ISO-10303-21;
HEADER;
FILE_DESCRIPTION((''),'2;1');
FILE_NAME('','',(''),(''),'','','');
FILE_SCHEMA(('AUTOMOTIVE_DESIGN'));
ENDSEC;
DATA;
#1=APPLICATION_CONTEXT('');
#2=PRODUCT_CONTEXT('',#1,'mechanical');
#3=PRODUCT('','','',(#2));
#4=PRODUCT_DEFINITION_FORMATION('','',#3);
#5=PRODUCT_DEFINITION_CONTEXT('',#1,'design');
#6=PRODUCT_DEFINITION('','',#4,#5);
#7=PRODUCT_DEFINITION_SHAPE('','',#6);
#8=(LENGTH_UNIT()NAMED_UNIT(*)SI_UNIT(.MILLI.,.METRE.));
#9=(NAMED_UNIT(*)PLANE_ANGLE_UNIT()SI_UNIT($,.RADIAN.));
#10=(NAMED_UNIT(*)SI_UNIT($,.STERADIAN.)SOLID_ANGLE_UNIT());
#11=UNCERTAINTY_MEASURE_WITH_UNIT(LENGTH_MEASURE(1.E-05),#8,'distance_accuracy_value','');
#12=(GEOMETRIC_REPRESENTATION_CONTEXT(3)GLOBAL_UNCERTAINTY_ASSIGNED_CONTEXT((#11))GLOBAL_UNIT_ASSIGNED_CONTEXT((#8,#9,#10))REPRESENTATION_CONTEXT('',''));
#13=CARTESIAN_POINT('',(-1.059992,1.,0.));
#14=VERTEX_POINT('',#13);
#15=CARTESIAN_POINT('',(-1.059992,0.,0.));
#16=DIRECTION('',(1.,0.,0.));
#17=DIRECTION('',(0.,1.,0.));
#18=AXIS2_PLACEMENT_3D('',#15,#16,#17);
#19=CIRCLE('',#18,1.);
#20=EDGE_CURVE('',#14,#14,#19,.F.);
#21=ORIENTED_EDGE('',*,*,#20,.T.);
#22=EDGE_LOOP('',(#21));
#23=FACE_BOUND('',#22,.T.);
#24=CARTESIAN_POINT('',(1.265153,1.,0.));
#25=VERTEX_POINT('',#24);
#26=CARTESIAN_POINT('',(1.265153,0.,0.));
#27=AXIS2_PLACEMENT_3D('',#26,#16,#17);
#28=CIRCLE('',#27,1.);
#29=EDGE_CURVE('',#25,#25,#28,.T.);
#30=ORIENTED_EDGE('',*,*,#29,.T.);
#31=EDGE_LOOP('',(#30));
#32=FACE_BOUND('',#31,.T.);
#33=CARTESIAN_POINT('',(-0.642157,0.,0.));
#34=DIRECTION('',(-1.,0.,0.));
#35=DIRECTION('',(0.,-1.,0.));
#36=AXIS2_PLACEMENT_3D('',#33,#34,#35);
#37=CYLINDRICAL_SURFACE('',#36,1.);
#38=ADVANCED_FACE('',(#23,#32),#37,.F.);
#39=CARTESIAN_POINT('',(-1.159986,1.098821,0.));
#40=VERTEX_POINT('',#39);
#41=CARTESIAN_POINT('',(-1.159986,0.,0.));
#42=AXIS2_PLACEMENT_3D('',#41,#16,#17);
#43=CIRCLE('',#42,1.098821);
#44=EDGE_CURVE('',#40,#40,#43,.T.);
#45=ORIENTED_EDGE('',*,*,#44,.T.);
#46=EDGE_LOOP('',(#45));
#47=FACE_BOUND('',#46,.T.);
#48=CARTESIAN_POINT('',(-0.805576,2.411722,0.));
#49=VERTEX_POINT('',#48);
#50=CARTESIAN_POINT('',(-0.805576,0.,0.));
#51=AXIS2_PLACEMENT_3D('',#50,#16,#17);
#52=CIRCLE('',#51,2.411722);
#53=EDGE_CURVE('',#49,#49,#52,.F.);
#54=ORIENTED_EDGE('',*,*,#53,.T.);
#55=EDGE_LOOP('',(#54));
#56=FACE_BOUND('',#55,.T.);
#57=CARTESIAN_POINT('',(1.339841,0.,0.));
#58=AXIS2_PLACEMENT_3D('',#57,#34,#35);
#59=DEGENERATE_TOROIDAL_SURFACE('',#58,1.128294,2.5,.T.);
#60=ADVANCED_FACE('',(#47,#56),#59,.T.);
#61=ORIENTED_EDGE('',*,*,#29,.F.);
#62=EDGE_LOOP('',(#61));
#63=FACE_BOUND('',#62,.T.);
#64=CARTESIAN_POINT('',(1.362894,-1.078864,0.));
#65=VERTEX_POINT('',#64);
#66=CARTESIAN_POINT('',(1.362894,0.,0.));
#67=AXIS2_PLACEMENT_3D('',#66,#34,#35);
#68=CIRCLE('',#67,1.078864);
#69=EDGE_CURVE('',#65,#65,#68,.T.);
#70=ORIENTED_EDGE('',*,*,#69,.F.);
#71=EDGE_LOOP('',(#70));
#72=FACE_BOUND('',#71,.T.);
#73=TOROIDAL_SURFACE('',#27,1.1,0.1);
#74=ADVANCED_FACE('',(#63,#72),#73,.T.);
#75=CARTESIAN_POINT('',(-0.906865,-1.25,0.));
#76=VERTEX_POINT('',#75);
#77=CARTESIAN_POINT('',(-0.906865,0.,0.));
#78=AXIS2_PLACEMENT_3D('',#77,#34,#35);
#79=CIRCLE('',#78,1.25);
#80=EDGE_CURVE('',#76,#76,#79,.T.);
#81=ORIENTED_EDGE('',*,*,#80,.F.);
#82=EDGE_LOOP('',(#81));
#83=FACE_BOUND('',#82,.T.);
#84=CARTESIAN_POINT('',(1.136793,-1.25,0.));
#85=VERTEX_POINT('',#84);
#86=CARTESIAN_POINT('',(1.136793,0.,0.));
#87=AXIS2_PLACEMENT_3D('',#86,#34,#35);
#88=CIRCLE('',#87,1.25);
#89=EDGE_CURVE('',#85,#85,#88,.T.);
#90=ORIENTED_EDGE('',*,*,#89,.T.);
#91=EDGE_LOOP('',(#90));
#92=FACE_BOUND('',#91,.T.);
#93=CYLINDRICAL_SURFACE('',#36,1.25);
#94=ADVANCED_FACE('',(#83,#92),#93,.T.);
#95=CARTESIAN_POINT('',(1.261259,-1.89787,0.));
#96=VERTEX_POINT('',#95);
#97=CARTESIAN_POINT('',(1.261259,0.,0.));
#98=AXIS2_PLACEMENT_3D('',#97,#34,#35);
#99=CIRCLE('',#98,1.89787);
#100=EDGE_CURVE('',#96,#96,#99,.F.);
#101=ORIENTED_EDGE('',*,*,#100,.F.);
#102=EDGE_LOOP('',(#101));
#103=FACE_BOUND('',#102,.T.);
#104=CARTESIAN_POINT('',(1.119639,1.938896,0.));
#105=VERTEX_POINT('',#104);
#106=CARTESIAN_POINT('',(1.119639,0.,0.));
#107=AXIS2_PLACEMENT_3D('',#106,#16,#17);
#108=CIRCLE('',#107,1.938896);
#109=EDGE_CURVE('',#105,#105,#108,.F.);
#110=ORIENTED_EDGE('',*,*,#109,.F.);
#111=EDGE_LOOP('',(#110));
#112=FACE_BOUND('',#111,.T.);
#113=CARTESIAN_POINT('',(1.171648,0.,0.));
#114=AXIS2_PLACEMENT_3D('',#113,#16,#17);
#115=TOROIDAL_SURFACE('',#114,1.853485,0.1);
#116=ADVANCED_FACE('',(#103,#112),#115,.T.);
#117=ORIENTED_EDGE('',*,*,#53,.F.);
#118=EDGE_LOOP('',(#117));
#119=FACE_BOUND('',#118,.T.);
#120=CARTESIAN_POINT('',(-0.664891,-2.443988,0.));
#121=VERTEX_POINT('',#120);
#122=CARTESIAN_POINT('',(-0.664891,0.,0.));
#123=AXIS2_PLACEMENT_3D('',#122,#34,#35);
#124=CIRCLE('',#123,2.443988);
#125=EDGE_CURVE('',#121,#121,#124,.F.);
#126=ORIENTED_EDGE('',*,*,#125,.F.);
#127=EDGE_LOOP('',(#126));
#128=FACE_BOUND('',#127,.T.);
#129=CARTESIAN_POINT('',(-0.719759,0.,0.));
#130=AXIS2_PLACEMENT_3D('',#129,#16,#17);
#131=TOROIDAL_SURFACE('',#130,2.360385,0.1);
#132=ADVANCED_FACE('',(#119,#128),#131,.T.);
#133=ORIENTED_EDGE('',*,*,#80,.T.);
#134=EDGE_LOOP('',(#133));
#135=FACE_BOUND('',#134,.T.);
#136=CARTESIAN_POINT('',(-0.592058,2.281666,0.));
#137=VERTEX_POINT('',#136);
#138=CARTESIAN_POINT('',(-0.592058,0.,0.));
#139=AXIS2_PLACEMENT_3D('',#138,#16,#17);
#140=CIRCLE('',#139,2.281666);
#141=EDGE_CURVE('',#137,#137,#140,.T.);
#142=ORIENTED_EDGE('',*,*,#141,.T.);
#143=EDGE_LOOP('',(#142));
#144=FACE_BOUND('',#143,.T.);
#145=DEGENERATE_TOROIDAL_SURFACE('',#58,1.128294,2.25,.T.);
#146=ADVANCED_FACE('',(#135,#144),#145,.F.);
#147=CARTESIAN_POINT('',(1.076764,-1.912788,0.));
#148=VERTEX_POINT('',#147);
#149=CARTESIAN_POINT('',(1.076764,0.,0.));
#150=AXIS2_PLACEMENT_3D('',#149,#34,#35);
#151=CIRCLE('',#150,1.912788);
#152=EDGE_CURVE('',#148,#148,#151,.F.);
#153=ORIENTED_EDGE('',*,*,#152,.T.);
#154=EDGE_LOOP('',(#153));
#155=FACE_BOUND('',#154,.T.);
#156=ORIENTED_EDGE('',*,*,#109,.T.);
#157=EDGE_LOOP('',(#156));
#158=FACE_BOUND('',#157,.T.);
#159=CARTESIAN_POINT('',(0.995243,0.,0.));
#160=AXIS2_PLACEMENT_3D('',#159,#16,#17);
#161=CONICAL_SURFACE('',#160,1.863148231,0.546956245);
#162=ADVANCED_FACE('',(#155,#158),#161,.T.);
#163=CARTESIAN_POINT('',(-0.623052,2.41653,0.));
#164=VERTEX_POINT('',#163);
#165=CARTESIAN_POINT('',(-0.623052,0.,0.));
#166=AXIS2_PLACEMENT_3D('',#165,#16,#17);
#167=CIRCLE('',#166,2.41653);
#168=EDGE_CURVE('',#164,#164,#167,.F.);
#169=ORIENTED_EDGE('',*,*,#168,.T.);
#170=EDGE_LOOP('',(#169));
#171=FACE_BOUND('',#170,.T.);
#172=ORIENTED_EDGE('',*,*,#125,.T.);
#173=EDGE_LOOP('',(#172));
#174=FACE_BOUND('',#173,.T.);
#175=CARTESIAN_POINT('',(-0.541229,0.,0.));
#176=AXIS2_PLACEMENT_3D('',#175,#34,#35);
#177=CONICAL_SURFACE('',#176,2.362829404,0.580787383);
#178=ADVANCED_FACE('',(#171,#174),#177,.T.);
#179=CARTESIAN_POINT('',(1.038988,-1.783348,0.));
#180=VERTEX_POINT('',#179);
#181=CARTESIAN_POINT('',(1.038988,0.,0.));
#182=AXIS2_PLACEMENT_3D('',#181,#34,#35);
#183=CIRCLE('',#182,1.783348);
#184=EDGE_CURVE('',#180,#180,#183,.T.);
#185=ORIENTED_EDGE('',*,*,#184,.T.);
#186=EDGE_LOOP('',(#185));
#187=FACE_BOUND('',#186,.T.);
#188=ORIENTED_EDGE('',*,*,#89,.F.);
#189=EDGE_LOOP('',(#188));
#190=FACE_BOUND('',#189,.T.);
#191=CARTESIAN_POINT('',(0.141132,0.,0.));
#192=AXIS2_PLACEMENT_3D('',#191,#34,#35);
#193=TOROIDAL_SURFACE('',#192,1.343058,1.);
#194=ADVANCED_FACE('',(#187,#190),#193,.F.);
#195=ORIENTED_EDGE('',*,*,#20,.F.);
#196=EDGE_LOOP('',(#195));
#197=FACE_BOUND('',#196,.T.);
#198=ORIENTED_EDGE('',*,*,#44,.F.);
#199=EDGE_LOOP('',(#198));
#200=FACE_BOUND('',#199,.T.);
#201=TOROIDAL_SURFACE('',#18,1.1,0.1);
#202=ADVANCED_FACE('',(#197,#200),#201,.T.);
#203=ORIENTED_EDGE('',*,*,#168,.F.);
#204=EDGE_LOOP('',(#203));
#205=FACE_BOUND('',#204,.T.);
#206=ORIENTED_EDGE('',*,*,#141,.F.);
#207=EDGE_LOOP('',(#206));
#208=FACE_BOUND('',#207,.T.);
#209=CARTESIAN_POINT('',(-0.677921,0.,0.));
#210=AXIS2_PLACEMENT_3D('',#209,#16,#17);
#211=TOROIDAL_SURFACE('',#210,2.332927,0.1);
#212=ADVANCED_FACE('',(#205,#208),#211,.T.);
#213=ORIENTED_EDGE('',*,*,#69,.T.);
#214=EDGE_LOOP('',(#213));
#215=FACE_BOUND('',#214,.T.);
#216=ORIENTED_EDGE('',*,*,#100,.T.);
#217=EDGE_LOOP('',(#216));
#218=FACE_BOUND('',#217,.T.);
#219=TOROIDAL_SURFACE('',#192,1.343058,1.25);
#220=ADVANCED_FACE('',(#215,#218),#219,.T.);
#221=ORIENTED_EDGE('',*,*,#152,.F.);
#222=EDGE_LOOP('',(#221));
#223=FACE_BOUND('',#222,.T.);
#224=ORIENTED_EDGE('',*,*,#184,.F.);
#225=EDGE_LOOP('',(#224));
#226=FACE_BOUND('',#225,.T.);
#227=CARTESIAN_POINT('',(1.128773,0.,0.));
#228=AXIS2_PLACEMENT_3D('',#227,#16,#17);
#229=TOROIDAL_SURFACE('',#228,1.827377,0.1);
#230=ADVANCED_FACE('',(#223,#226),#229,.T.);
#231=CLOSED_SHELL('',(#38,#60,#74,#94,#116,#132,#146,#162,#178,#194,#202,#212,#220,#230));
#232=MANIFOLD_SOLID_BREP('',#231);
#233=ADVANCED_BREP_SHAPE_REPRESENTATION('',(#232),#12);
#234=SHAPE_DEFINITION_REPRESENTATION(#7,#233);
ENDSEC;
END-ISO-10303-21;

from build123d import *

# Parameters (mm, degrees)
FILLET1_R = 0.1


with BuildPart() as part:
    # Sketch2 → Revolve1 (revolve)
    with BuildSketch(Plane.XY, mode=Mode.PRIVATE) as revolve1_sk:
        with BuildLine():
            ThreePointArc((1.136792507, 1.25), (1.11550444, 1.567998391), (0.995243347, 1.863148231))
            Line((0.995243347, 1.863148231), (1.208771223, 1.993170715))
            ThreePointArc((1.208771223, 1.993170715), (1.379847329, 1.510640958), (1.343134759, 1))
            Line((1.343134759, 1), (-1.156865241, 1))
            ThreePointArc((-1.156865241, 1), (-1.073071418, 1.782400327), (-0.750236498, 2.5))
            Line((-0.750236498, 2.5), (-0.541228777, 2.362829404))
            ThreePointArc((-0.541228777, 2.362829404), (-0.797734981, 1.830625969), (-0.906865241, 1.25))
            Line((-0.906865241, 1.25), (1.136792507, 1.25))
        make_face()
    revolve(revolve1_sk.sketch.rotate(Axis((-0.642156863, 0, 0), (1, 0, 0)), 180), axis=Axis((-0.642156863, 0, 0), (1, 0, 0)))

    # Fillet1
    fillet1_edges = [part.edges().sort_by_distance(p)[0] for p in [
        (0.995243347, 1.863148231, 0),
        (1.208771223, 1.993170715, 0),
        (1.343134759, 1, 0),
        (-1.156865241, 1, 0),
        (-0.750236498, 2.5, 0),
        (-0.541228777, 2.362829404, 0),
    ]]
    fillet(fillet1_edges, radius=FILLET1_R)


solid = part.part
